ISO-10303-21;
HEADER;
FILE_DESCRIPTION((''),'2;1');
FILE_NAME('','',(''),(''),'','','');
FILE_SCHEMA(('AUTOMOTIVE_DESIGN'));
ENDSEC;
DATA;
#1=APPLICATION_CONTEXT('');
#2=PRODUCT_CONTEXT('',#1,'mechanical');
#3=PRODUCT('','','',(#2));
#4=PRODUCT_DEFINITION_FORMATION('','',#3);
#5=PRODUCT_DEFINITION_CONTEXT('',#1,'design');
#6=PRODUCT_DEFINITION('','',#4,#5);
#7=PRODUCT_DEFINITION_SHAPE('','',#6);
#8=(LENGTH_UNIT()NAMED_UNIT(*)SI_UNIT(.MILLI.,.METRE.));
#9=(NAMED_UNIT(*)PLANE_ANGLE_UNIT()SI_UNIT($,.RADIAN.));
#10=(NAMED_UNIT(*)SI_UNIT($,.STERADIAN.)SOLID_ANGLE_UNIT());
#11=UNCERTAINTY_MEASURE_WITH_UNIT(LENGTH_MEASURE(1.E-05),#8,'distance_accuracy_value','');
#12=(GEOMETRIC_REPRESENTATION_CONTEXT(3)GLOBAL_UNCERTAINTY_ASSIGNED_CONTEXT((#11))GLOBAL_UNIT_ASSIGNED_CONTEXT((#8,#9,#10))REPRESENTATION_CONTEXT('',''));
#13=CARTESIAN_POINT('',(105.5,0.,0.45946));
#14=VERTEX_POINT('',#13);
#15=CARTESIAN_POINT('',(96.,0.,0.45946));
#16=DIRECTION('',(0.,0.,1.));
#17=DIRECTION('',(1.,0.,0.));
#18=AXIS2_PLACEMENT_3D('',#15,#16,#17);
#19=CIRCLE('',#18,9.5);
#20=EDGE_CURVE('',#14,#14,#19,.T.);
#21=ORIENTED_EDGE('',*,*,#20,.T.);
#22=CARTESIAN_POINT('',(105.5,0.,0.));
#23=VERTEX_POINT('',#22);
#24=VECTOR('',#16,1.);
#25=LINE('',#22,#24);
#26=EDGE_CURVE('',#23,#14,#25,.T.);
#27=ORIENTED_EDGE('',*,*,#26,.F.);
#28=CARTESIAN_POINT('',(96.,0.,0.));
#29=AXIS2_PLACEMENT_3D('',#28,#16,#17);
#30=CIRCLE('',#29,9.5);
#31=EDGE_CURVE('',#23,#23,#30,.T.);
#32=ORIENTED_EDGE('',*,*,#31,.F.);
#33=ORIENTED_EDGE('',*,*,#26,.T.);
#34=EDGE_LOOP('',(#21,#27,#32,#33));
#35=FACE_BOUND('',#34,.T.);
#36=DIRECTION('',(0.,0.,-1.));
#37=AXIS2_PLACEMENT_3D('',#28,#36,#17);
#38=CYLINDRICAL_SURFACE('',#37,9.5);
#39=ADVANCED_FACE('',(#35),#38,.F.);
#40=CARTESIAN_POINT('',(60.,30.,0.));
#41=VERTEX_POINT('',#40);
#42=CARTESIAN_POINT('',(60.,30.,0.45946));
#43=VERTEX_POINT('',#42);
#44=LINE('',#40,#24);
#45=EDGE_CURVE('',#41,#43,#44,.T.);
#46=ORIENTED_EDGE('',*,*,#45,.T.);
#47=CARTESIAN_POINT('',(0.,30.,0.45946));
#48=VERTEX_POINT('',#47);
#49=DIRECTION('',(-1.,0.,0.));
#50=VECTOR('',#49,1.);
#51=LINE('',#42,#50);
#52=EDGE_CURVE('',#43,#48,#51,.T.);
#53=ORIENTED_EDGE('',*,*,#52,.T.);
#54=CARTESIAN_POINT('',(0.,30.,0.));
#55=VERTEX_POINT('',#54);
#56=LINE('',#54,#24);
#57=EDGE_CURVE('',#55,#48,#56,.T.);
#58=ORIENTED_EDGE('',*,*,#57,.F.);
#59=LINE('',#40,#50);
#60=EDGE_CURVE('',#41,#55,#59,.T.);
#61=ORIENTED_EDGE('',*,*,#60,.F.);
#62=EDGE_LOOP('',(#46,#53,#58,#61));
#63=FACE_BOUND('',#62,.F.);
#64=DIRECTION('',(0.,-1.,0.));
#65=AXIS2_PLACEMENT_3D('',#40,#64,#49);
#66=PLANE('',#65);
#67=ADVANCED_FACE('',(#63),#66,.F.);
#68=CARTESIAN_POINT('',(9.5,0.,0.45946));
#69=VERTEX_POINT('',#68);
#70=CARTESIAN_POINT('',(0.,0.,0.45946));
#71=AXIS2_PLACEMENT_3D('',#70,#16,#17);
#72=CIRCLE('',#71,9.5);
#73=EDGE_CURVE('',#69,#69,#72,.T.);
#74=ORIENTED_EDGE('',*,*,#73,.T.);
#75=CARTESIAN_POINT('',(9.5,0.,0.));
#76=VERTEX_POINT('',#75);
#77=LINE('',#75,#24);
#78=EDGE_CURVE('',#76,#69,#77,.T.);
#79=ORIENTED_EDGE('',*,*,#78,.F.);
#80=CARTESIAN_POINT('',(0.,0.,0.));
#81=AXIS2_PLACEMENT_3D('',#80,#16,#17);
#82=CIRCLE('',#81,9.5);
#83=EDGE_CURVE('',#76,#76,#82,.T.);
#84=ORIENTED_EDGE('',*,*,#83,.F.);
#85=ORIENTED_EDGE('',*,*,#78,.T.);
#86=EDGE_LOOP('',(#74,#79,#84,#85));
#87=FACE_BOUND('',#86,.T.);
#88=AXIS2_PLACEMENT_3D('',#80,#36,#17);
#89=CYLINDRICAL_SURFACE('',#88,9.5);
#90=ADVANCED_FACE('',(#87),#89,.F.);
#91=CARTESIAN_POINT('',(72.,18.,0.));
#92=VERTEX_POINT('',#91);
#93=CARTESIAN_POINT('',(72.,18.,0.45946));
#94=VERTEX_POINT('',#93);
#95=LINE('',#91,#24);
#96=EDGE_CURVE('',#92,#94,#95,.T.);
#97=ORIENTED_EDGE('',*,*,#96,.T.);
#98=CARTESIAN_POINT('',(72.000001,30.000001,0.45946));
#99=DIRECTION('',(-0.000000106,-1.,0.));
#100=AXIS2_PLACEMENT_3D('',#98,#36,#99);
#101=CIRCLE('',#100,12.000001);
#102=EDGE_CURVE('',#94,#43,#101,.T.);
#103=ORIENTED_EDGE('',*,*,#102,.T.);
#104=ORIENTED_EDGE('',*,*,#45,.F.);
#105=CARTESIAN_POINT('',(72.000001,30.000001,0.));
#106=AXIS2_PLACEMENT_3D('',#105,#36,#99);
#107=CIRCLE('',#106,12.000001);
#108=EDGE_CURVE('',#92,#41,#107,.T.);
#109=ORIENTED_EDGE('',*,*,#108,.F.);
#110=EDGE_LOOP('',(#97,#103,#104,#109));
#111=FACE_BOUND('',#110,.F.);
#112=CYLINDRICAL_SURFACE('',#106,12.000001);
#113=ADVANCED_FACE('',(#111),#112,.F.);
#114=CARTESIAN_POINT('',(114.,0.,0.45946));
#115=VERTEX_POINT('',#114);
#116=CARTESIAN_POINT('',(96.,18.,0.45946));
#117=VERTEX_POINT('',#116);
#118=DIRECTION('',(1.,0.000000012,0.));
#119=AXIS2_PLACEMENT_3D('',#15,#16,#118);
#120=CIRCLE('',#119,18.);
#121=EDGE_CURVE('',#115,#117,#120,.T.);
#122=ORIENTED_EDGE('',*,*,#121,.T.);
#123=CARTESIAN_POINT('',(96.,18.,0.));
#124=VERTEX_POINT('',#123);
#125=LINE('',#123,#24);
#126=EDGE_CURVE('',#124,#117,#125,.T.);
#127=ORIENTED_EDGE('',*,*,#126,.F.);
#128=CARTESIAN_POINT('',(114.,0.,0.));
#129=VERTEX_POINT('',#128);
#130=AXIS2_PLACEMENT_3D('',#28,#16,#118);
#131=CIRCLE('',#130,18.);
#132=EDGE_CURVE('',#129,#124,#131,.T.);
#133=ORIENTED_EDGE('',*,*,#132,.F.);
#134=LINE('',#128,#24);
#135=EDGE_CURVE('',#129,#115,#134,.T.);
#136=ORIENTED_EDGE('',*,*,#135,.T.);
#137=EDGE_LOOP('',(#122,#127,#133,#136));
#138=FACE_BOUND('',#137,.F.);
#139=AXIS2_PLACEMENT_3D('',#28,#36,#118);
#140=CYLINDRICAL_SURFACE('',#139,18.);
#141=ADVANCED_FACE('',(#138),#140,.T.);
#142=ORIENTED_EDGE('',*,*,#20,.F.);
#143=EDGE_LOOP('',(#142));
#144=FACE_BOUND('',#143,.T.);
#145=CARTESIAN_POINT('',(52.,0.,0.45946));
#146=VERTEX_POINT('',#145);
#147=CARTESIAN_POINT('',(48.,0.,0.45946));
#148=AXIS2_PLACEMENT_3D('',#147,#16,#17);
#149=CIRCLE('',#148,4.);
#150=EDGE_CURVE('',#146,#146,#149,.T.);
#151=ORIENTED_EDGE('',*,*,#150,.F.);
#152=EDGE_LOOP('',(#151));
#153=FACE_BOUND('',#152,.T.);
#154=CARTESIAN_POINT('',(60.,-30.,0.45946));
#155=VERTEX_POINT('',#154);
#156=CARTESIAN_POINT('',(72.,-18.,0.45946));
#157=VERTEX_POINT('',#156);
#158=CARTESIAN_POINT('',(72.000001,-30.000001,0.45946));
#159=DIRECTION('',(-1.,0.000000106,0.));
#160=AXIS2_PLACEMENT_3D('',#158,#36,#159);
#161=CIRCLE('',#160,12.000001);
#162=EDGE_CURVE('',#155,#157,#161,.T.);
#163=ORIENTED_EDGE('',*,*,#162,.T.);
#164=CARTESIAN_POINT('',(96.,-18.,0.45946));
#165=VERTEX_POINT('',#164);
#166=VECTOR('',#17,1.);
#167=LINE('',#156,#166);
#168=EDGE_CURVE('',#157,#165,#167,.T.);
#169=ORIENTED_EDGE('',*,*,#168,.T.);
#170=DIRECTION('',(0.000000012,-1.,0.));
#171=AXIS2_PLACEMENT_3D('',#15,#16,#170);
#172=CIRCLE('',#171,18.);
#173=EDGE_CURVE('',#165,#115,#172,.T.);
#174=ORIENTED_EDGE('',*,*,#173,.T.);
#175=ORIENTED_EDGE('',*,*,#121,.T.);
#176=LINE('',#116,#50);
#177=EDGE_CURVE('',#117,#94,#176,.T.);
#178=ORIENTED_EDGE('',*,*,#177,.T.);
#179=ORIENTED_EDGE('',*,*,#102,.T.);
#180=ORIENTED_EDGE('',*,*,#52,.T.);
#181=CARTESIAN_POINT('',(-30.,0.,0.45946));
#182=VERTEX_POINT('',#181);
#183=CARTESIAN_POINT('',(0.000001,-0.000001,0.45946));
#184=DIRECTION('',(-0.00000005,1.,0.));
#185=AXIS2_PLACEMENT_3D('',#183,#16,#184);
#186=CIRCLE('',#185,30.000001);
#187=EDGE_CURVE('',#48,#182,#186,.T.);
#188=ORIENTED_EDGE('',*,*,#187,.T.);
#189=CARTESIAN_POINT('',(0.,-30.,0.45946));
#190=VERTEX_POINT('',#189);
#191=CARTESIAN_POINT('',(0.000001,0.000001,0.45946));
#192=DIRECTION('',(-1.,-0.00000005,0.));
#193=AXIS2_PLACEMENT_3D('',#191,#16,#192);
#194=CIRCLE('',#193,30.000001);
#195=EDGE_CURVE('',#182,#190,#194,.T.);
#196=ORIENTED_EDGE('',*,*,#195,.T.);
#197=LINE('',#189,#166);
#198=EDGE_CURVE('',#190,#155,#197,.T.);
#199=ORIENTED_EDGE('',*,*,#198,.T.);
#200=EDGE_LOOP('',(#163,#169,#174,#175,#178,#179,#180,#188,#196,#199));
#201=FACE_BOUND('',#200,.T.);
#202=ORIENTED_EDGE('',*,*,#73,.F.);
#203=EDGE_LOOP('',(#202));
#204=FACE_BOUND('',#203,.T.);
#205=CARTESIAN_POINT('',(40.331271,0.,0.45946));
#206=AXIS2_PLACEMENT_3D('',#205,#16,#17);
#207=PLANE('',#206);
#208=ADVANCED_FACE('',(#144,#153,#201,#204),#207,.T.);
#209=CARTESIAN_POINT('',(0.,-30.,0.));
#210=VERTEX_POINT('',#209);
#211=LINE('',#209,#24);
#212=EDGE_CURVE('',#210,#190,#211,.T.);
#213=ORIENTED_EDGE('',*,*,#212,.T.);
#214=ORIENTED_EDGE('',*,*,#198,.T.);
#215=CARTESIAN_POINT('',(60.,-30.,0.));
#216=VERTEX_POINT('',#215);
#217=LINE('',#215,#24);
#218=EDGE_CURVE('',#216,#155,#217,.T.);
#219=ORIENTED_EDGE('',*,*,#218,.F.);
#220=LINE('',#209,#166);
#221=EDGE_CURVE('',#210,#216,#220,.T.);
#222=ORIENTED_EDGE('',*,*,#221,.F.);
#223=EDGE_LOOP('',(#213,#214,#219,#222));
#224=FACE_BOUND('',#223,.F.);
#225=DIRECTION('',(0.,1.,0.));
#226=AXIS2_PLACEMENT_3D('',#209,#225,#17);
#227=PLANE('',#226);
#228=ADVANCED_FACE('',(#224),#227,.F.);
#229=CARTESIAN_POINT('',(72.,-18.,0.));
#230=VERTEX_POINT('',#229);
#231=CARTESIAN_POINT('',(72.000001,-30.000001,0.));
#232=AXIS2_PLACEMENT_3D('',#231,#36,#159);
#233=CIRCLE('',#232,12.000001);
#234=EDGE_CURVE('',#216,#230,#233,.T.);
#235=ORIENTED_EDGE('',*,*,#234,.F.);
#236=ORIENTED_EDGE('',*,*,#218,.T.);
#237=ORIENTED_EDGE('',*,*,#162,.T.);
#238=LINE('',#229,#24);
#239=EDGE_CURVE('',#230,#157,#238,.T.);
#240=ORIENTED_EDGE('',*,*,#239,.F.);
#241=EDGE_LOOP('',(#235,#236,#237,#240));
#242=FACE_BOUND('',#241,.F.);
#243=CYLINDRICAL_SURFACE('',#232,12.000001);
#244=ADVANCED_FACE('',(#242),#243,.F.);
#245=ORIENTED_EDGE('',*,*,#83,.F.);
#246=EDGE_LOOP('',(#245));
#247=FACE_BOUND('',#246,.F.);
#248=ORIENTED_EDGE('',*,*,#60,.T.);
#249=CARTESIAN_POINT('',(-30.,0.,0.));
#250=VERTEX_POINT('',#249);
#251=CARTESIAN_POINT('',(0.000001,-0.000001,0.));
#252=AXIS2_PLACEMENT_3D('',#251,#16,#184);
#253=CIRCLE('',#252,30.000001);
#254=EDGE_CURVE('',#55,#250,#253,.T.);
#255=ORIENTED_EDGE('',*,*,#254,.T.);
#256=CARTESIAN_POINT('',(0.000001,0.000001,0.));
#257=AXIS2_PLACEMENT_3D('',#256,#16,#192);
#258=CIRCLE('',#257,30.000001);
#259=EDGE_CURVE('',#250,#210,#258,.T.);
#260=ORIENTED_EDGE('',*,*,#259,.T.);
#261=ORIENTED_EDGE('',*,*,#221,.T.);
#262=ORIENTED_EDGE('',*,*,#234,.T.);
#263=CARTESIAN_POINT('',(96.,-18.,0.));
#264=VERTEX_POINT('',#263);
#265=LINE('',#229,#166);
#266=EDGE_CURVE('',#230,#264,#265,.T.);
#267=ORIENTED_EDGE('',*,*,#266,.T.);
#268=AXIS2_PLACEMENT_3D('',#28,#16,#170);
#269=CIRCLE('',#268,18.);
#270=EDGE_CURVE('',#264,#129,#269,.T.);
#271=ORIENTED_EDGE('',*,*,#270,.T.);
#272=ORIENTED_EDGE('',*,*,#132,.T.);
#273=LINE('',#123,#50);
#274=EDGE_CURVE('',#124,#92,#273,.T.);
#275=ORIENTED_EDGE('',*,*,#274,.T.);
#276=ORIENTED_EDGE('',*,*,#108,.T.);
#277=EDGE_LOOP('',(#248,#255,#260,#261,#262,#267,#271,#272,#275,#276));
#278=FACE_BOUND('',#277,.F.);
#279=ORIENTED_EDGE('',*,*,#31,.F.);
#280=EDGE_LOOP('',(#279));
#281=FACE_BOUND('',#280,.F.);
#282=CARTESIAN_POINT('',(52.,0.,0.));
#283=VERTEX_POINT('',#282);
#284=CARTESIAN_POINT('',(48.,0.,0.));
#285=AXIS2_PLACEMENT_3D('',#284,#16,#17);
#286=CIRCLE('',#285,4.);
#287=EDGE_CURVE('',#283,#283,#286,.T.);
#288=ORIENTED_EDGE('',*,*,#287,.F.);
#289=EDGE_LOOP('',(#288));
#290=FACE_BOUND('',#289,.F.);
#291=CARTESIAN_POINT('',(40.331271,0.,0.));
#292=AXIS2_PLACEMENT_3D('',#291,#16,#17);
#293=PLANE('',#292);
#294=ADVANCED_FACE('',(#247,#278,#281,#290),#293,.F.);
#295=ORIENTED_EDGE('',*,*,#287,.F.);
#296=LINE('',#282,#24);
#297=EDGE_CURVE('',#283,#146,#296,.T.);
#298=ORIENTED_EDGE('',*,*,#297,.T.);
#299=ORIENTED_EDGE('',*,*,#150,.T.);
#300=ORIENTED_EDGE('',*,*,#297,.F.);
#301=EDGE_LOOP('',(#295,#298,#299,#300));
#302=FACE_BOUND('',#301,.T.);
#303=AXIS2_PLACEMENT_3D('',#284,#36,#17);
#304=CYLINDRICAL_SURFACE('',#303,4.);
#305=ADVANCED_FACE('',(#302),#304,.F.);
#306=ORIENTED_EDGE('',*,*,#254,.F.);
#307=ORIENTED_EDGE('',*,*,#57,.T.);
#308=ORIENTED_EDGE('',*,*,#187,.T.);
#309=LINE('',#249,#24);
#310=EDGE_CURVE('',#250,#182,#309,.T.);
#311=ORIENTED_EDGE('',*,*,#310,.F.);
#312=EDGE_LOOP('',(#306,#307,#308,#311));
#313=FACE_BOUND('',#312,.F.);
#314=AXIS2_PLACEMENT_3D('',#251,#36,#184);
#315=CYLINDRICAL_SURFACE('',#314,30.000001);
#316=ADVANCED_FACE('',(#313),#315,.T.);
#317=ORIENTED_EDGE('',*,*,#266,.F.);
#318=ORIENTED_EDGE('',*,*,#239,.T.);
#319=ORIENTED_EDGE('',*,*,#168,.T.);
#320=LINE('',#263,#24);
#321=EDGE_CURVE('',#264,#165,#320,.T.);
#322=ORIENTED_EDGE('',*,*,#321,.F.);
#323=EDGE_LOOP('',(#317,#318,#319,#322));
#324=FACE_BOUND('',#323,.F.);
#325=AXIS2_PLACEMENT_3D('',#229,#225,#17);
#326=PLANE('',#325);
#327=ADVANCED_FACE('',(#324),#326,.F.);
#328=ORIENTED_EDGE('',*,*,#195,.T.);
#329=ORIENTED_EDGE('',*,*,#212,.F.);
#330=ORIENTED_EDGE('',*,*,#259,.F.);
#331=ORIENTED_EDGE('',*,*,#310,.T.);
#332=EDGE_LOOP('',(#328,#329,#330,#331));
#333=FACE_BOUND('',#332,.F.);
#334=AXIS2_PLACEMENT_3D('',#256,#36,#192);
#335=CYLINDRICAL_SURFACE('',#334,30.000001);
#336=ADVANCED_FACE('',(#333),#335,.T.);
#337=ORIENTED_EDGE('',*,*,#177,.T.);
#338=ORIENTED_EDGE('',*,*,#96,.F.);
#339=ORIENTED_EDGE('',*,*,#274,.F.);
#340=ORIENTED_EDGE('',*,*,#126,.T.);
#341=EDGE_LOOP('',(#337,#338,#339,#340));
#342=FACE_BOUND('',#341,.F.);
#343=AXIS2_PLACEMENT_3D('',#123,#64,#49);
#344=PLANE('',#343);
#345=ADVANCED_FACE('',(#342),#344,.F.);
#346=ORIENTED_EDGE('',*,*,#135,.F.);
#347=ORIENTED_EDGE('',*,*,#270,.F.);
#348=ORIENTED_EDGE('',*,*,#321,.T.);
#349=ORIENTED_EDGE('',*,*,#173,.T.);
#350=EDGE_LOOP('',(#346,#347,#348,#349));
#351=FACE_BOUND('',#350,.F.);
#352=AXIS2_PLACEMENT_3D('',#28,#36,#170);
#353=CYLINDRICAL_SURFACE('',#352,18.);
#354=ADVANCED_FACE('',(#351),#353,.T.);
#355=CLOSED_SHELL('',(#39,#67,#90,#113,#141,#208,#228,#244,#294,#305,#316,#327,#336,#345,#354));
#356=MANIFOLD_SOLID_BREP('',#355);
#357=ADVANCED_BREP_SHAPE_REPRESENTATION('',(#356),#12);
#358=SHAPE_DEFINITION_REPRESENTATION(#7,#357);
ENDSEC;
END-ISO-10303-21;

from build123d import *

# Parameters (mm, degrees)
F1_R     = 9.5
F1_R_2   = 4
F2_DEPTH = 0.45946


with BuildPart() as f2:
    # F1 (on Top) → F2 (new body)
    with BuildSketch(Plane.XY):
        with BuildLine():
            Line((60, 30), (0, 30))
            ThreePointArc((0, 30), (-21.213203, 21.213203), (-30, 0))
            ThreePointArc((-30, 0), (-21.213203, -21.213203), (0, -30))
            Line((0, -30), (60, -30))
            ThreePointArc((60, -30), (63.514719, -21.514719), (72, -18))
            Line((72, -18), (96, -18))
            ThreePointArc((96, -18), (108.727922, -12.727922), (114, 0))
            ThreePointArc((114, 0), (108.727922, 12.727922), (96, 18))
            Line((96, 18), (72, 18))
            ThreePointArc((72, 18), (63.514719, 21.514719), (60, 30))
        make_face()
        Circle(F1_R, mode=Mode.SUBTRACT)
        with Locations((48, 0)):
            Circle(F1_R_2, mode=Mode.SUBTRACT)
        with Locations((96, 0)):
            Circle(F1_R, mode=Mode.SUBTRACT)
    extrude(amount=F2_DEPTH)


solid = f2.part
